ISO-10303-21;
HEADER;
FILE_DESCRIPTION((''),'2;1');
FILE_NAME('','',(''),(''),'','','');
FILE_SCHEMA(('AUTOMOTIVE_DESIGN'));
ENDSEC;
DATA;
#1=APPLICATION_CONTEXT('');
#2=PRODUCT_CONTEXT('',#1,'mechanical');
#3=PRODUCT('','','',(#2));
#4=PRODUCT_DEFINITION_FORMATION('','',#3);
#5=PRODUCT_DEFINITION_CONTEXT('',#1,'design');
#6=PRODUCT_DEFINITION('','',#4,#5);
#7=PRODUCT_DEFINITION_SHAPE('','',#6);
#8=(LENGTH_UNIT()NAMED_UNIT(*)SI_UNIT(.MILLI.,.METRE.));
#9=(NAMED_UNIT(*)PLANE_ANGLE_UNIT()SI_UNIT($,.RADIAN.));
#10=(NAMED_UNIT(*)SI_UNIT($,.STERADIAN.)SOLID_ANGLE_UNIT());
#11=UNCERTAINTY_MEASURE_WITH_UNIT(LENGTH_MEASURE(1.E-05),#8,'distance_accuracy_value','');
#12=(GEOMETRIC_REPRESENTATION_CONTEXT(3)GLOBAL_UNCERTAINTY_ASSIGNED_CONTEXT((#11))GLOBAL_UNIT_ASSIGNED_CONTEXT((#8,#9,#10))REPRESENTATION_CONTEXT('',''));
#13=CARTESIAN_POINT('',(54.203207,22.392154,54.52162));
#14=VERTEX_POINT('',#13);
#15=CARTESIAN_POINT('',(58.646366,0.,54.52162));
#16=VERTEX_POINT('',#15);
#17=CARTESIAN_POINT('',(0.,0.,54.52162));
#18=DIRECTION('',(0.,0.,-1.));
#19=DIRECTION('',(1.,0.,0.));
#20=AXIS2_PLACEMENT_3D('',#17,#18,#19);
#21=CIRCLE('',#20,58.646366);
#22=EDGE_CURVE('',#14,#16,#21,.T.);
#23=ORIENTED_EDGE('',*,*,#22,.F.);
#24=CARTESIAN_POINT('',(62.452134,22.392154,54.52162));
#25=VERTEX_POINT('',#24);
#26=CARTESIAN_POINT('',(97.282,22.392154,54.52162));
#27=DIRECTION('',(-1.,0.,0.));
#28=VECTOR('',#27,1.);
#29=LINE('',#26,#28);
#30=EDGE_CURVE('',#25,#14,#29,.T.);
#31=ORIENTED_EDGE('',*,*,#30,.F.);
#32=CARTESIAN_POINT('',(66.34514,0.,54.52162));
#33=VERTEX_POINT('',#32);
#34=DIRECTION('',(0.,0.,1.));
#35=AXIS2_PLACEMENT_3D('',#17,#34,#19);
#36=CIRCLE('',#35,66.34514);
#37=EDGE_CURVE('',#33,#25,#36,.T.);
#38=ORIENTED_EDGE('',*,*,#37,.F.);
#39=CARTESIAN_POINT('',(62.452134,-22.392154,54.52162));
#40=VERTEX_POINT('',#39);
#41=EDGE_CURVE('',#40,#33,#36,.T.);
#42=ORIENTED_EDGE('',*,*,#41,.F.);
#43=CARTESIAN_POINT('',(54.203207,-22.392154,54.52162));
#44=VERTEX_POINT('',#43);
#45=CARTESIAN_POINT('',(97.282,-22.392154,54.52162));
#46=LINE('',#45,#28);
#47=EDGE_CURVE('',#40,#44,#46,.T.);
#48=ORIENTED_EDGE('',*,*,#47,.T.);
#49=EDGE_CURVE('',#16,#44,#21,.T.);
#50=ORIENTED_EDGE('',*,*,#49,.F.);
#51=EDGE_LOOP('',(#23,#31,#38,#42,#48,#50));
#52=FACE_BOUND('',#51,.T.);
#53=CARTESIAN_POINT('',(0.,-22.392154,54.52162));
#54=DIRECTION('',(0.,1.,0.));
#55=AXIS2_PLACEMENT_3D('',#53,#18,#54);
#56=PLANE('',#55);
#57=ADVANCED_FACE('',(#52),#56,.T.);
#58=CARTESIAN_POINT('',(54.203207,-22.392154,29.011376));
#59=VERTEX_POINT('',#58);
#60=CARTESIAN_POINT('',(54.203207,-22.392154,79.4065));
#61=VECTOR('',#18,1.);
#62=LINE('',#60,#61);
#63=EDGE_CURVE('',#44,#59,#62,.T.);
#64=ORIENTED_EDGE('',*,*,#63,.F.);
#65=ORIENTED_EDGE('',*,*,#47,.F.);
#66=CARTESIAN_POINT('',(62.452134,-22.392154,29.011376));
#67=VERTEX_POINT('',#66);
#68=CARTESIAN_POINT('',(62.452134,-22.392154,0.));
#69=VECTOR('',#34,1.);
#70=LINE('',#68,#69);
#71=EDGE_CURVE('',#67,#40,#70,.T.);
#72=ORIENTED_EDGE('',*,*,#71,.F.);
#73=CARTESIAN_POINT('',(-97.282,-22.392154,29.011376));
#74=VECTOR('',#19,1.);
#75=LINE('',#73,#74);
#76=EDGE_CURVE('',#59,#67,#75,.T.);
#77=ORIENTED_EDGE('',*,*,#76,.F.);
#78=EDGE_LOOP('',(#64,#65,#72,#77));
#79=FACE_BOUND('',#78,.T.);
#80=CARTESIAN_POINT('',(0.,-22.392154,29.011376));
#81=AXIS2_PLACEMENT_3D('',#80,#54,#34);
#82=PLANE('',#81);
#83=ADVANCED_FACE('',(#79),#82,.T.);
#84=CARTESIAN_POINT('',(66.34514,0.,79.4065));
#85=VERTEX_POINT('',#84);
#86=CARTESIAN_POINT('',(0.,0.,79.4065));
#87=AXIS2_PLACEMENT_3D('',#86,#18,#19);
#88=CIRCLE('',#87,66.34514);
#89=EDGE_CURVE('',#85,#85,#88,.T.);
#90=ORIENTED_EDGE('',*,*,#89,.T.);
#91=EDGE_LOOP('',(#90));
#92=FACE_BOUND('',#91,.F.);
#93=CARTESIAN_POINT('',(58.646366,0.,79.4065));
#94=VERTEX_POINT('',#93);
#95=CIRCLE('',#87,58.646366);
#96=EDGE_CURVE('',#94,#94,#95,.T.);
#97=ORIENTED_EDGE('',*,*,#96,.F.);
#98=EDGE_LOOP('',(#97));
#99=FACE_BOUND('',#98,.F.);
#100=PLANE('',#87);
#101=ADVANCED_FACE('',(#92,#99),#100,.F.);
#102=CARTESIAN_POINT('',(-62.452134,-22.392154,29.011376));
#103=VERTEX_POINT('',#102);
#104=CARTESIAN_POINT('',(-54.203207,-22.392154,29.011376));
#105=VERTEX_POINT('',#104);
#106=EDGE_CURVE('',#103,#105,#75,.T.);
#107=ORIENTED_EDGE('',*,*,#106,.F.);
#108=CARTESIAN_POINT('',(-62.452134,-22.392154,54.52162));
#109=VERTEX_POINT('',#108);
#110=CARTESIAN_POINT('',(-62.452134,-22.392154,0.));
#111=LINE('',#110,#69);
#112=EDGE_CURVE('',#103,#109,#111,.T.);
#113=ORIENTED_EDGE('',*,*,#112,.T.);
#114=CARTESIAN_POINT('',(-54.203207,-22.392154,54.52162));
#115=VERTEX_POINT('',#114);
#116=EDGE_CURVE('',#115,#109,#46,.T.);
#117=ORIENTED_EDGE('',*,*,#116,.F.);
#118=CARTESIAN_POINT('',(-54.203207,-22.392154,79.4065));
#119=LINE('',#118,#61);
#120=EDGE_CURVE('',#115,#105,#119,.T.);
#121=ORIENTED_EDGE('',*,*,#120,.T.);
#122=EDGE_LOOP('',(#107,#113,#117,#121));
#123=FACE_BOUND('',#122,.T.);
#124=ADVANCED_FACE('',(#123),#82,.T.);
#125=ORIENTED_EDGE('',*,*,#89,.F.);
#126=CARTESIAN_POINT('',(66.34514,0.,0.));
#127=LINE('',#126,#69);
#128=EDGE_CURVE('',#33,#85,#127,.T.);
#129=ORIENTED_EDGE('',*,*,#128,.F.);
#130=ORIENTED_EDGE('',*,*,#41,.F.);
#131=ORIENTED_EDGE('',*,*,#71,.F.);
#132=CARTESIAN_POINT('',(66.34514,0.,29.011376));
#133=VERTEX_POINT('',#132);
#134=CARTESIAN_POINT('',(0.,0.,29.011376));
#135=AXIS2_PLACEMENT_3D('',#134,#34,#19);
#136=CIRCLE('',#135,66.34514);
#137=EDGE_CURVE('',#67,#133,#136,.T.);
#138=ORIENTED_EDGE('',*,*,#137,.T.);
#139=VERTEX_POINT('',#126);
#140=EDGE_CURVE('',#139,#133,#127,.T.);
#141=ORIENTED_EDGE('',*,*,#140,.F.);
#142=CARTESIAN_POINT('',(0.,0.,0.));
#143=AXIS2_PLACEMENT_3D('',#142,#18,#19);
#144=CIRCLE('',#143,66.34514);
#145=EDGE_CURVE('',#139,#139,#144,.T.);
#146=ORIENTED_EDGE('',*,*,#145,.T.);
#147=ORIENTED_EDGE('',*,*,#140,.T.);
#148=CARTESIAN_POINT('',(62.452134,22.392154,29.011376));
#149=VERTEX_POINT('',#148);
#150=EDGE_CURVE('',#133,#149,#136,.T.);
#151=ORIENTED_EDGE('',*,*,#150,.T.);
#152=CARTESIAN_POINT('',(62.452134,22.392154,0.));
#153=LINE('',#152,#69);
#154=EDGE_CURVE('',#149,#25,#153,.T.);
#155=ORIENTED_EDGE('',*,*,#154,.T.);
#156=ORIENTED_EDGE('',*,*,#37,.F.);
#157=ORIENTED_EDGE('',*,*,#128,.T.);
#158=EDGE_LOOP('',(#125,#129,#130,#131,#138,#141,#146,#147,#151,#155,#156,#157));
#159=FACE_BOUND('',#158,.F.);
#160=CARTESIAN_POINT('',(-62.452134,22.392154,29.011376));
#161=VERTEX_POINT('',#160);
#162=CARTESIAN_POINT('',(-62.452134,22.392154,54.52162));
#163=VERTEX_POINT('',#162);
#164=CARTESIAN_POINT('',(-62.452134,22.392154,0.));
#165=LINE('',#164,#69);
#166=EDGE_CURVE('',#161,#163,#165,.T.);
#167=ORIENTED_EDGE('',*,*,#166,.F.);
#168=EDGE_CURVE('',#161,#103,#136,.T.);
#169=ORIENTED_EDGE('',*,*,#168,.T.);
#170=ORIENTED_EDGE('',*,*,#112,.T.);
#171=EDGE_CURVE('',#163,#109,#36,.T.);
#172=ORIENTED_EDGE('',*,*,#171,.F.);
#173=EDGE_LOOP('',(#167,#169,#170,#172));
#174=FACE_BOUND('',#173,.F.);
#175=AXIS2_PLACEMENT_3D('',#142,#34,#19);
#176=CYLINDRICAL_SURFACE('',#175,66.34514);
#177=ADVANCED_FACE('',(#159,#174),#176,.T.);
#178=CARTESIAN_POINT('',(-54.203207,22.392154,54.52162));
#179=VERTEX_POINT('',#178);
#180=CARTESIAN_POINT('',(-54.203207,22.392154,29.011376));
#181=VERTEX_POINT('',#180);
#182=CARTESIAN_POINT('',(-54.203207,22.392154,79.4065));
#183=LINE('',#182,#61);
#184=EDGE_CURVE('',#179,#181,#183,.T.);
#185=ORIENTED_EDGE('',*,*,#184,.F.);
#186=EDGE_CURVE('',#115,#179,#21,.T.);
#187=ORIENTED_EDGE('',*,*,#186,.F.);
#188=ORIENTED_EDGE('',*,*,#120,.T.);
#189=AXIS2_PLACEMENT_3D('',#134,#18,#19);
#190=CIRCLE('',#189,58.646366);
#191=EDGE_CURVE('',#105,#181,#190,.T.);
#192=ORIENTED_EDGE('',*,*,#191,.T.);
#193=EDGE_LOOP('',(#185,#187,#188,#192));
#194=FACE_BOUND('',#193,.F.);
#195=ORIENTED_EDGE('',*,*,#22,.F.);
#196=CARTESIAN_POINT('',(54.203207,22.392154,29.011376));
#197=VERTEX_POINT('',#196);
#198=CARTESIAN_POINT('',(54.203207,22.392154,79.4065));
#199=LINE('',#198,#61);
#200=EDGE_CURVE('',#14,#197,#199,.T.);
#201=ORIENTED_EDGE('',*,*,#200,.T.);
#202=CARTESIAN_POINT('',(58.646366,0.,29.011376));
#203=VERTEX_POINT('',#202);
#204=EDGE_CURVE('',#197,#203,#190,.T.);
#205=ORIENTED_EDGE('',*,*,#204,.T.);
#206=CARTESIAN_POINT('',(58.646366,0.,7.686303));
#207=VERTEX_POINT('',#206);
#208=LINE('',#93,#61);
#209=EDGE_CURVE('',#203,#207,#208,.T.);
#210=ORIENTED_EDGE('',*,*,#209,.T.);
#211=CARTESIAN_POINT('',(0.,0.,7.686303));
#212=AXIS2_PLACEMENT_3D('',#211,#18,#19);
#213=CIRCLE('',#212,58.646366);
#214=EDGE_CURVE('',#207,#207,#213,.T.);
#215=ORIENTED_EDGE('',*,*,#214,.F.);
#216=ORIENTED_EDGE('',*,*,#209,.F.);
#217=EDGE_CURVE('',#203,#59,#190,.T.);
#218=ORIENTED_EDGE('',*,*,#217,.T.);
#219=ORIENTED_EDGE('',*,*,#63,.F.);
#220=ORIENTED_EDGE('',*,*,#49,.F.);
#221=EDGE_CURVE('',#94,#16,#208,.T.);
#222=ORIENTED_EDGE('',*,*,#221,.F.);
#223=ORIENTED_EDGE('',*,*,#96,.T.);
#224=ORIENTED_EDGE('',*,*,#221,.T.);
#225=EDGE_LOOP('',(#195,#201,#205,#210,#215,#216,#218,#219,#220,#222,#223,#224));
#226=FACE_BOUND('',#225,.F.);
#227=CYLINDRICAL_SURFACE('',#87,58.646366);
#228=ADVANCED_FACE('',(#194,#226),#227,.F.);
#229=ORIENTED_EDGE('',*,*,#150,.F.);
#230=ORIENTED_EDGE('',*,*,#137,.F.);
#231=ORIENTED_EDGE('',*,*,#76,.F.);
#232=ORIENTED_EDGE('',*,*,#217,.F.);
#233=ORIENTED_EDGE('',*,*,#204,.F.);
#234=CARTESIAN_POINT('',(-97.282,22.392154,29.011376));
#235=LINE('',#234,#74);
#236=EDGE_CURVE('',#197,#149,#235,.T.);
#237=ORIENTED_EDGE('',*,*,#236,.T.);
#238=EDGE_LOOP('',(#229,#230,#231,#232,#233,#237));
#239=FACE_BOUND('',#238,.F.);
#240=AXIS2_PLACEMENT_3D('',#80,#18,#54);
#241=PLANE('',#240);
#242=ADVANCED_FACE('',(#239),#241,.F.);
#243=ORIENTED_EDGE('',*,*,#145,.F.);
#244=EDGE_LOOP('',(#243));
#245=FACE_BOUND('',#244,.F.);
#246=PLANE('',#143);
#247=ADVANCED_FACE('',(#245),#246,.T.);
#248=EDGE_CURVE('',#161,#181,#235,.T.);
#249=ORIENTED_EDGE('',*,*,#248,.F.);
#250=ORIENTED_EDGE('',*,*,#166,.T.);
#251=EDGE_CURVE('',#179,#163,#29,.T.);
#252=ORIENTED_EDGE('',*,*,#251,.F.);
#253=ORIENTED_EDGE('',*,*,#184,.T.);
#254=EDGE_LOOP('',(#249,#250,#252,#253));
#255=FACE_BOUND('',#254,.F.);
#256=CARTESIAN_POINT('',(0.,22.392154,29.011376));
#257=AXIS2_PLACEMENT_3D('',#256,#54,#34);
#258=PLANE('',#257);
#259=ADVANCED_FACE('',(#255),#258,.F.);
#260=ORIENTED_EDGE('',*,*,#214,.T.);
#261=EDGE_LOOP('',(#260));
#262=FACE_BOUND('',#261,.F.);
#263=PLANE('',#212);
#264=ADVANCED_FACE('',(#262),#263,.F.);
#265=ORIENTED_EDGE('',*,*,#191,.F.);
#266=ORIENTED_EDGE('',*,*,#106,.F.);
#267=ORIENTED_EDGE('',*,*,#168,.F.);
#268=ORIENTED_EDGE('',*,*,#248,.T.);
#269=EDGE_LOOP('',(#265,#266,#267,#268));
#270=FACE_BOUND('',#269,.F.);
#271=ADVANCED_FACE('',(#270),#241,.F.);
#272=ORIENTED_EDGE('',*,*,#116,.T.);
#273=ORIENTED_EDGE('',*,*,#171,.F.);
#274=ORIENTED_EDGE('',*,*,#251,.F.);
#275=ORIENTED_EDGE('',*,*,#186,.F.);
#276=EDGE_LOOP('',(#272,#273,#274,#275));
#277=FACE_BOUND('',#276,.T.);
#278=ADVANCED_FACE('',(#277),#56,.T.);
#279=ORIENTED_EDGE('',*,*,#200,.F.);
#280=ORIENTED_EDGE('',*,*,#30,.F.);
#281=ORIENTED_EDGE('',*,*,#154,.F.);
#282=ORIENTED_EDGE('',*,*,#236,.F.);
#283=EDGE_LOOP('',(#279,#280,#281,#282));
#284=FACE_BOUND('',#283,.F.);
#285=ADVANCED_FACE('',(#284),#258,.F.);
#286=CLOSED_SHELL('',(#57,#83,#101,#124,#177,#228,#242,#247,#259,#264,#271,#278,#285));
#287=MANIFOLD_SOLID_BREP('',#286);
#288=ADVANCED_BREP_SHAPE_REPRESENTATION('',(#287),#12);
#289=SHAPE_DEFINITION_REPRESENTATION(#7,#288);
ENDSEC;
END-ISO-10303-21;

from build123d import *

# Parameters (mm, degrees)
F2_W     = 44.784308
F2_H     = 25.510244
F3_DEPTH = 97.282


with BuildPart() as f1:
    # F0 (on Front) → F1 (revolve)
    with BuildSketch(Plane.XZ):
        Polygon((0, 7.686303), (0, 0), (66.34514, 0), (66.34514, 79.4065), (58.646366, 79.4065), (58.646366, 7.686303), align=None)
    revolve(axis=Axis((0, 0, 3.843152), (0, 0, -1)))

    # F2 (on Right) → F3 (cut, symmetric)
    with BuildSketch(Plane.YZ):
        with Locations((0, 41.766498)):
            Rectangle(F2_W, F2_H)
    extrude(amount=F3_DEPTH, both=True, mode=Mode.SUBTRACT)


solid = f1.part
